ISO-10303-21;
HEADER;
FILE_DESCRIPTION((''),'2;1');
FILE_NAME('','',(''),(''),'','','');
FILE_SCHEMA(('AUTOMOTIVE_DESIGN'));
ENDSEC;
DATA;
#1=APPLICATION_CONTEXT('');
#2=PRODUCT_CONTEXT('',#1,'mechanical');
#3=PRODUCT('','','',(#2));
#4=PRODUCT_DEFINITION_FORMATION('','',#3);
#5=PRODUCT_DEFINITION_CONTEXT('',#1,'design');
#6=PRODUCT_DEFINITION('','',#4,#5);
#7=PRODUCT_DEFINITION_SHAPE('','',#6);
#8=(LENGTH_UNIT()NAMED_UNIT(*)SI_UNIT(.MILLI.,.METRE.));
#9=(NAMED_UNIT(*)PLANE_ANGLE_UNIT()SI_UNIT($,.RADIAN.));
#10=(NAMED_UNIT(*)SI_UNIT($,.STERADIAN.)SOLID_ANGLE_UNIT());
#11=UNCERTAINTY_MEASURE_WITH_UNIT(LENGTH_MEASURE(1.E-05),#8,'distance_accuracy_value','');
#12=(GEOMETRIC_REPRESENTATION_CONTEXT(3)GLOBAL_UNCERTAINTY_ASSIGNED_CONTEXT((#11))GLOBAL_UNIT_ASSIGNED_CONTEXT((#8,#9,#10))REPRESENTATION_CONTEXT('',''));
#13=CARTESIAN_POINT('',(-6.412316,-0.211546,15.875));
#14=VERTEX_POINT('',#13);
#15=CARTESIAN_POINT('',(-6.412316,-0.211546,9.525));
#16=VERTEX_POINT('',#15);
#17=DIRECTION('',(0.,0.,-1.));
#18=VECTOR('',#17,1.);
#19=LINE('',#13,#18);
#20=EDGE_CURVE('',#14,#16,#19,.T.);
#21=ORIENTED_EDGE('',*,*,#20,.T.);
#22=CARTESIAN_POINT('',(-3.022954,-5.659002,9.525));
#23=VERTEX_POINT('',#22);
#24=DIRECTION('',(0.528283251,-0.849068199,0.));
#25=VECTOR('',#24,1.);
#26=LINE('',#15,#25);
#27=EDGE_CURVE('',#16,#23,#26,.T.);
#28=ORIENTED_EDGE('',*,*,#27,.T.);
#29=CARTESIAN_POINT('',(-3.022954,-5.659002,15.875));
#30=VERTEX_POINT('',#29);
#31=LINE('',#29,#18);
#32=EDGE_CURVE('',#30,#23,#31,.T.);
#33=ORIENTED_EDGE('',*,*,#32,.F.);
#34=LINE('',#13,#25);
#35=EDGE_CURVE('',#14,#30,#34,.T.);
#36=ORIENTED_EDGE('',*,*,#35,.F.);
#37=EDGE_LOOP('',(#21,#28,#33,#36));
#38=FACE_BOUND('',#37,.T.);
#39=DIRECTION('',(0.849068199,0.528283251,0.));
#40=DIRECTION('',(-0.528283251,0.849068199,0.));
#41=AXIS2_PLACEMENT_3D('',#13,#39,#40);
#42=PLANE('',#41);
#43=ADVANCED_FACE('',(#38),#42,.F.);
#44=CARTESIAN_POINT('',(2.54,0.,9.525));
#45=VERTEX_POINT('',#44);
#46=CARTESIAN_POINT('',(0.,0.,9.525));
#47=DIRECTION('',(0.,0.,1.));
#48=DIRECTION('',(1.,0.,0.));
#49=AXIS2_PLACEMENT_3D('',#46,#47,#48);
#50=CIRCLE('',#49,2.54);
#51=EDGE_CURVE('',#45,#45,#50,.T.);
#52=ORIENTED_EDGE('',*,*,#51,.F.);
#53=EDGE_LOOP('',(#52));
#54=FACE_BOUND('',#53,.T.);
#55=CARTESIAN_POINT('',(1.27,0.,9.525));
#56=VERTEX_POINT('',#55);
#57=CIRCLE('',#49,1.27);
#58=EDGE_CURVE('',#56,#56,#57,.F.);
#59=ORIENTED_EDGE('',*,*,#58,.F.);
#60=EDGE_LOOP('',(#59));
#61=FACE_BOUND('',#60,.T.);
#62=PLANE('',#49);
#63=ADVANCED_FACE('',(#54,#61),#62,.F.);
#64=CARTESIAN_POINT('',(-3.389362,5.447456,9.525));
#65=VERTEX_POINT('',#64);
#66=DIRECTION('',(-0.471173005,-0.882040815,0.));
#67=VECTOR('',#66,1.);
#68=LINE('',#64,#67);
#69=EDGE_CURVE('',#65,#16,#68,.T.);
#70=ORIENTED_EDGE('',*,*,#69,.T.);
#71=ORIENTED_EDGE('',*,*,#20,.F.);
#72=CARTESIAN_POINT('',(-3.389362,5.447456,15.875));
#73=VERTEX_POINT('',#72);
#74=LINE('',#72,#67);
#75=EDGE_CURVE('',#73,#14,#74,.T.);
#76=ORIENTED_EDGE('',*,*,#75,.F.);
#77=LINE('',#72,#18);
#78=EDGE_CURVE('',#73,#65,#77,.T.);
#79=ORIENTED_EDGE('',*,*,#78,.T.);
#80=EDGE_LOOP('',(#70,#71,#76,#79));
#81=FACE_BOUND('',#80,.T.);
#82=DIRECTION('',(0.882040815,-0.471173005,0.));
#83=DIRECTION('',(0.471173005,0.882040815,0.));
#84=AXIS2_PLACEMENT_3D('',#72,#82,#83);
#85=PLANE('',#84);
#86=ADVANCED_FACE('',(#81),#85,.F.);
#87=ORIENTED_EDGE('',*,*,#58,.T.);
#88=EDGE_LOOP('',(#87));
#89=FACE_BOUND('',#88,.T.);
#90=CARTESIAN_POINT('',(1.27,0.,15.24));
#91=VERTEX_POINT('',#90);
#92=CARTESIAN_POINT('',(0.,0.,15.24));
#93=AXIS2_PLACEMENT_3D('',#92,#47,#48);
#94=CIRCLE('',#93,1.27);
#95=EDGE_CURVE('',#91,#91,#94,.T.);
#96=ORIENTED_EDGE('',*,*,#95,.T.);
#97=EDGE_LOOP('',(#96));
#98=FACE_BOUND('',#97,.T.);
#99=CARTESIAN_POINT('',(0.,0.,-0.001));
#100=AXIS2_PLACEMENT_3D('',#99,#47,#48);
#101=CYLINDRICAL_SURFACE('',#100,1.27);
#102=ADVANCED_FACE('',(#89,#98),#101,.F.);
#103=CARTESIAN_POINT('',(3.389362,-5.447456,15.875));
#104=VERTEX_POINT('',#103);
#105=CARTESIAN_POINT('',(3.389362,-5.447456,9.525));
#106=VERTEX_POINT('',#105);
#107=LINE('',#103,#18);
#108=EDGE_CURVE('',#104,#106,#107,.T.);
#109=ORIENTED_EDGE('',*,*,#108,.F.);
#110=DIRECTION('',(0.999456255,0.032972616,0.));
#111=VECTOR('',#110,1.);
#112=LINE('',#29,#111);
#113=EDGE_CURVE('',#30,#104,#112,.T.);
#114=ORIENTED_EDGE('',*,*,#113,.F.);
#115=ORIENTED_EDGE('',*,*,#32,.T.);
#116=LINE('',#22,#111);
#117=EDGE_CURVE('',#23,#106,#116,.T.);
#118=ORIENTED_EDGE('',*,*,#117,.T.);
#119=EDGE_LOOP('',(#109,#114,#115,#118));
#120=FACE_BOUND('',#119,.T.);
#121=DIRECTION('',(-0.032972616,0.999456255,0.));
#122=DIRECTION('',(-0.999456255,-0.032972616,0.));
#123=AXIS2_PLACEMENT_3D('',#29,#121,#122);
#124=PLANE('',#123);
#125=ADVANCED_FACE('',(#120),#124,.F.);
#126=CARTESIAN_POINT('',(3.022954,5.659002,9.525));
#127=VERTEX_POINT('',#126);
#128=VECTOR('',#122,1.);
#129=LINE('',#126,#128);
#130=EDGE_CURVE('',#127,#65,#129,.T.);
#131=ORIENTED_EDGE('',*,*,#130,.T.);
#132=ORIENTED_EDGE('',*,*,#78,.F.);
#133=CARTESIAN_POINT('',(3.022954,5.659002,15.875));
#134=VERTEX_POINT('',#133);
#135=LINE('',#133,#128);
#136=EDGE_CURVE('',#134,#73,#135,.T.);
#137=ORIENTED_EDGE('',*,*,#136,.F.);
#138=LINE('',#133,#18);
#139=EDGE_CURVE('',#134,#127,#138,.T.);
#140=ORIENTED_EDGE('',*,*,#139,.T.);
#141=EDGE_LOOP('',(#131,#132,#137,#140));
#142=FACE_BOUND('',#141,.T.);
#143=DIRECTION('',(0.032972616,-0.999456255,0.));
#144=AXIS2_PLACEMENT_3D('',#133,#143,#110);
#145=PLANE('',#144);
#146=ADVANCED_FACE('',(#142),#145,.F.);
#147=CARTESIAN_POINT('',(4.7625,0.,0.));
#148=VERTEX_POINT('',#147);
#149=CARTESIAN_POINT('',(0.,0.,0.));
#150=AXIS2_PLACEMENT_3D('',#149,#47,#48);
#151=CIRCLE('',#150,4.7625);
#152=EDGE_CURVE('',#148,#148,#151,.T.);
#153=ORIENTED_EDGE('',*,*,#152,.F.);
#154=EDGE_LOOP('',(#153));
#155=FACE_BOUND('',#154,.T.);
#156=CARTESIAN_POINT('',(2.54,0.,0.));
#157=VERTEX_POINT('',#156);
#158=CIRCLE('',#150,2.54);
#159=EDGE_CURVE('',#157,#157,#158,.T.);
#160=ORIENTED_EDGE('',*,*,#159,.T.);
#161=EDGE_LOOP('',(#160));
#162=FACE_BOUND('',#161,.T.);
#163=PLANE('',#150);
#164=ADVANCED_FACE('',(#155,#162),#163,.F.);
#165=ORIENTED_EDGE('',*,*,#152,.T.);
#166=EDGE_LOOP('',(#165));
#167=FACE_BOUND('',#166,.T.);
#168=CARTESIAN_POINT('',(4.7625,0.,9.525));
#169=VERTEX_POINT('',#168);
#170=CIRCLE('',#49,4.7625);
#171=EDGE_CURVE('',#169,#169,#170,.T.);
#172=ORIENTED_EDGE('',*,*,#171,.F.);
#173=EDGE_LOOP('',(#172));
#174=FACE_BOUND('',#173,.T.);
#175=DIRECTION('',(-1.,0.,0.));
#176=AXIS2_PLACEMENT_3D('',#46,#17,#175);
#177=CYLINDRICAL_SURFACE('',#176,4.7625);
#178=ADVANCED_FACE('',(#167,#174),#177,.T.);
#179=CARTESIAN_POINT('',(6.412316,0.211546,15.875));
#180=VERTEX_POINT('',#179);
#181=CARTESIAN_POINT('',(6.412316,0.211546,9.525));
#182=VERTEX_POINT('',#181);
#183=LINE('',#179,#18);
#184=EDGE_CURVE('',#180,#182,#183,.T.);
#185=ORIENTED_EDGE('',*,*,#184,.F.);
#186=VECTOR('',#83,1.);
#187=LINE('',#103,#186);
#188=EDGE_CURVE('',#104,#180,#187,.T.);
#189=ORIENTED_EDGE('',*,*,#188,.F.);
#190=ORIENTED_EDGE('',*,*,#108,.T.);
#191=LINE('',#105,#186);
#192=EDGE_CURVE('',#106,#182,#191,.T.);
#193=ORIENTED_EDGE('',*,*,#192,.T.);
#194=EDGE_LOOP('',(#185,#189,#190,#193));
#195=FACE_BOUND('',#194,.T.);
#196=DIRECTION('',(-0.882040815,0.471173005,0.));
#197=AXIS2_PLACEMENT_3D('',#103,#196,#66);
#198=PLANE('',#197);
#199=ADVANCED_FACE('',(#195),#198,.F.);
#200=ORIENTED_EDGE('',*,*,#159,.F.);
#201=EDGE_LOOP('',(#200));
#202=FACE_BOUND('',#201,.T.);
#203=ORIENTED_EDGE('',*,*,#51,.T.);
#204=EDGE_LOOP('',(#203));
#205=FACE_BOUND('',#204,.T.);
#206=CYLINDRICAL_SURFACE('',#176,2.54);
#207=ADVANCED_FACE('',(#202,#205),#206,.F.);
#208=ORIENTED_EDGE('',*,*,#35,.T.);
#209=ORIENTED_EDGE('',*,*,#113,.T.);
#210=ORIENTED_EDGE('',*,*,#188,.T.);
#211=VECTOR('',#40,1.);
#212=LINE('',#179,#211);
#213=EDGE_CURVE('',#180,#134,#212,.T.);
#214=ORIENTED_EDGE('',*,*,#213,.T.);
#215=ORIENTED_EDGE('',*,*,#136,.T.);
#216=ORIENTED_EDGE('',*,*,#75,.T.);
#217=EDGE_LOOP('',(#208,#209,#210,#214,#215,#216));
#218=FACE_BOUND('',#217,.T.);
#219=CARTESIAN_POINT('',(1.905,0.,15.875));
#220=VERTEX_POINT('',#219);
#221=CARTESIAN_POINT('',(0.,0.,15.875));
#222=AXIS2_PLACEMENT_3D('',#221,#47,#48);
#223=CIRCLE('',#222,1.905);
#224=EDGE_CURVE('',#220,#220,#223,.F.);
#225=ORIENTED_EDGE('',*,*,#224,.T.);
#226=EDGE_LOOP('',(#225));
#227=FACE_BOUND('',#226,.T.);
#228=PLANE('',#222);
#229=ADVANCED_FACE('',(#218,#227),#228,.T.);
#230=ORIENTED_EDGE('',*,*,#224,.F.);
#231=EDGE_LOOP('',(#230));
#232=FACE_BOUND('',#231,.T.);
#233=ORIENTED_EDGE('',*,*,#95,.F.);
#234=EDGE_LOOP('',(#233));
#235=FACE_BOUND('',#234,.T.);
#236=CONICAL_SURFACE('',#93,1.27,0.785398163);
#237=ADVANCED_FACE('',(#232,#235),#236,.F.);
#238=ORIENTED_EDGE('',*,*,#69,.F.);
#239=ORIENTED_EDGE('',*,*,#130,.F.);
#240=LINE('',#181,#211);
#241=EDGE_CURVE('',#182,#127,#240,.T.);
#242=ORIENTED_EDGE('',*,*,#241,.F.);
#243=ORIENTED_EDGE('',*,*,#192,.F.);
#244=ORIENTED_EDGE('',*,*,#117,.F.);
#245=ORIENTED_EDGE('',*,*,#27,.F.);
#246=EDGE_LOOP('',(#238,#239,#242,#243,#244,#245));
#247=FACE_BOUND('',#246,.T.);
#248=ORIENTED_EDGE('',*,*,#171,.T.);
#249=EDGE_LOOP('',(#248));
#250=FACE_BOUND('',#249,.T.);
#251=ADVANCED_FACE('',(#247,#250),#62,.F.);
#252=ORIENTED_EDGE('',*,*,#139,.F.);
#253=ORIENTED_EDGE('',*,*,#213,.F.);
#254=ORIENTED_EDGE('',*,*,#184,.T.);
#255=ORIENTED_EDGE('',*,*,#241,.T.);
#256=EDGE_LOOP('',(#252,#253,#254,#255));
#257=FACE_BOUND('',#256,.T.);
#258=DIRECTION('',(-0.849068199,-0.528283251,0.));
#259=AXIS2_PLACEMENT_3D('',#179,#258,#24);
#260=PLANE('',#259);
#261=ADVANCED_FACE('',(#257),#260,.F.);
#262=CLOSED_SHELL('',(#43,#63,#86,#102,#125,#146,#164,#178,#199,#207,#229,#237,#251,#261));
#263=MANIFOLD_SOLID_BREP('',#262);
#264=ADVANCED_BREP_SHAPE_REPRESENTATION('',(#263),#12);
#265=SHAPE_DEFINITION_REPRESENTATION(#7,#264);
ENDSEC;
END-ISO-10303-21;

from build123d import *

# Parameters (mm, degrees)
SKETCH1_R           = 4.7625
SKETCH1_R_2         = 2.54
BOSS_EXTRUDE1_DEPTH = 9.525
BOSS_EXTRUDE2_DEPTH = 6.35
CUT_EXTRUDE1_REACH  = 17.875
SKETCH3_R           = 1.27
CHAMFER1_SIZE       = 0.635


with BuildPart() as part:
    # Sketch1 → Boss-Extrude1 (new body)
    with BuildSketch(Plane.XY):
        Circle(SKETCH1_R)
        Circle(SKETCH1_R_2, mode=Mode.SUBTRACT)
    extrude(amount=BOSS_EXTRUDE1_DEPTH)

    # Sketch2 → Boss-Extrude2 (add)
    with BuildSketch(Plane.XY.offset(9.525)):
        Polygon((3.022954056, 5.659001754), (-3.389362251, 5.447455885), (-6.412316308, -0.21154587), (-3.022954056, -5.659001754), (3.389362251, -5.447455885), (6.412316308, 0.21154587), align=None)
    extrude(amount=BOSS_EXTRUDE2_DEPTH)

    # Sketch3 → Cut-Extrude1 (cut, up to next)
    with BuildSketch(Plane.XY.offset(15.875), mode=Mode.PRIVATE) as cut_extrude1_sk1:
        Circle(SKETCH3_R)
    cut_extrude1_tool1 = extrude(cut_extrude1_sk1.sketch, amount=-CUT_EXTRUDE1_REACH, mode=Mode.PRIVATE) & part.part
    add(cut_extrude1_tool1.solids().sort_by_distance((0, 0, 15.875))[0], mode=Mode.SUBTRACT)

    # Chamfer1
    chamfer1_edges = [part.edges().sort_by_distance(p)[0] for p in [
        (-1.27, 0, 15.875),
    ]]
    chamfer(chamfer1_edges, length=CHAMFER1_SIZE)


solid = part.part
